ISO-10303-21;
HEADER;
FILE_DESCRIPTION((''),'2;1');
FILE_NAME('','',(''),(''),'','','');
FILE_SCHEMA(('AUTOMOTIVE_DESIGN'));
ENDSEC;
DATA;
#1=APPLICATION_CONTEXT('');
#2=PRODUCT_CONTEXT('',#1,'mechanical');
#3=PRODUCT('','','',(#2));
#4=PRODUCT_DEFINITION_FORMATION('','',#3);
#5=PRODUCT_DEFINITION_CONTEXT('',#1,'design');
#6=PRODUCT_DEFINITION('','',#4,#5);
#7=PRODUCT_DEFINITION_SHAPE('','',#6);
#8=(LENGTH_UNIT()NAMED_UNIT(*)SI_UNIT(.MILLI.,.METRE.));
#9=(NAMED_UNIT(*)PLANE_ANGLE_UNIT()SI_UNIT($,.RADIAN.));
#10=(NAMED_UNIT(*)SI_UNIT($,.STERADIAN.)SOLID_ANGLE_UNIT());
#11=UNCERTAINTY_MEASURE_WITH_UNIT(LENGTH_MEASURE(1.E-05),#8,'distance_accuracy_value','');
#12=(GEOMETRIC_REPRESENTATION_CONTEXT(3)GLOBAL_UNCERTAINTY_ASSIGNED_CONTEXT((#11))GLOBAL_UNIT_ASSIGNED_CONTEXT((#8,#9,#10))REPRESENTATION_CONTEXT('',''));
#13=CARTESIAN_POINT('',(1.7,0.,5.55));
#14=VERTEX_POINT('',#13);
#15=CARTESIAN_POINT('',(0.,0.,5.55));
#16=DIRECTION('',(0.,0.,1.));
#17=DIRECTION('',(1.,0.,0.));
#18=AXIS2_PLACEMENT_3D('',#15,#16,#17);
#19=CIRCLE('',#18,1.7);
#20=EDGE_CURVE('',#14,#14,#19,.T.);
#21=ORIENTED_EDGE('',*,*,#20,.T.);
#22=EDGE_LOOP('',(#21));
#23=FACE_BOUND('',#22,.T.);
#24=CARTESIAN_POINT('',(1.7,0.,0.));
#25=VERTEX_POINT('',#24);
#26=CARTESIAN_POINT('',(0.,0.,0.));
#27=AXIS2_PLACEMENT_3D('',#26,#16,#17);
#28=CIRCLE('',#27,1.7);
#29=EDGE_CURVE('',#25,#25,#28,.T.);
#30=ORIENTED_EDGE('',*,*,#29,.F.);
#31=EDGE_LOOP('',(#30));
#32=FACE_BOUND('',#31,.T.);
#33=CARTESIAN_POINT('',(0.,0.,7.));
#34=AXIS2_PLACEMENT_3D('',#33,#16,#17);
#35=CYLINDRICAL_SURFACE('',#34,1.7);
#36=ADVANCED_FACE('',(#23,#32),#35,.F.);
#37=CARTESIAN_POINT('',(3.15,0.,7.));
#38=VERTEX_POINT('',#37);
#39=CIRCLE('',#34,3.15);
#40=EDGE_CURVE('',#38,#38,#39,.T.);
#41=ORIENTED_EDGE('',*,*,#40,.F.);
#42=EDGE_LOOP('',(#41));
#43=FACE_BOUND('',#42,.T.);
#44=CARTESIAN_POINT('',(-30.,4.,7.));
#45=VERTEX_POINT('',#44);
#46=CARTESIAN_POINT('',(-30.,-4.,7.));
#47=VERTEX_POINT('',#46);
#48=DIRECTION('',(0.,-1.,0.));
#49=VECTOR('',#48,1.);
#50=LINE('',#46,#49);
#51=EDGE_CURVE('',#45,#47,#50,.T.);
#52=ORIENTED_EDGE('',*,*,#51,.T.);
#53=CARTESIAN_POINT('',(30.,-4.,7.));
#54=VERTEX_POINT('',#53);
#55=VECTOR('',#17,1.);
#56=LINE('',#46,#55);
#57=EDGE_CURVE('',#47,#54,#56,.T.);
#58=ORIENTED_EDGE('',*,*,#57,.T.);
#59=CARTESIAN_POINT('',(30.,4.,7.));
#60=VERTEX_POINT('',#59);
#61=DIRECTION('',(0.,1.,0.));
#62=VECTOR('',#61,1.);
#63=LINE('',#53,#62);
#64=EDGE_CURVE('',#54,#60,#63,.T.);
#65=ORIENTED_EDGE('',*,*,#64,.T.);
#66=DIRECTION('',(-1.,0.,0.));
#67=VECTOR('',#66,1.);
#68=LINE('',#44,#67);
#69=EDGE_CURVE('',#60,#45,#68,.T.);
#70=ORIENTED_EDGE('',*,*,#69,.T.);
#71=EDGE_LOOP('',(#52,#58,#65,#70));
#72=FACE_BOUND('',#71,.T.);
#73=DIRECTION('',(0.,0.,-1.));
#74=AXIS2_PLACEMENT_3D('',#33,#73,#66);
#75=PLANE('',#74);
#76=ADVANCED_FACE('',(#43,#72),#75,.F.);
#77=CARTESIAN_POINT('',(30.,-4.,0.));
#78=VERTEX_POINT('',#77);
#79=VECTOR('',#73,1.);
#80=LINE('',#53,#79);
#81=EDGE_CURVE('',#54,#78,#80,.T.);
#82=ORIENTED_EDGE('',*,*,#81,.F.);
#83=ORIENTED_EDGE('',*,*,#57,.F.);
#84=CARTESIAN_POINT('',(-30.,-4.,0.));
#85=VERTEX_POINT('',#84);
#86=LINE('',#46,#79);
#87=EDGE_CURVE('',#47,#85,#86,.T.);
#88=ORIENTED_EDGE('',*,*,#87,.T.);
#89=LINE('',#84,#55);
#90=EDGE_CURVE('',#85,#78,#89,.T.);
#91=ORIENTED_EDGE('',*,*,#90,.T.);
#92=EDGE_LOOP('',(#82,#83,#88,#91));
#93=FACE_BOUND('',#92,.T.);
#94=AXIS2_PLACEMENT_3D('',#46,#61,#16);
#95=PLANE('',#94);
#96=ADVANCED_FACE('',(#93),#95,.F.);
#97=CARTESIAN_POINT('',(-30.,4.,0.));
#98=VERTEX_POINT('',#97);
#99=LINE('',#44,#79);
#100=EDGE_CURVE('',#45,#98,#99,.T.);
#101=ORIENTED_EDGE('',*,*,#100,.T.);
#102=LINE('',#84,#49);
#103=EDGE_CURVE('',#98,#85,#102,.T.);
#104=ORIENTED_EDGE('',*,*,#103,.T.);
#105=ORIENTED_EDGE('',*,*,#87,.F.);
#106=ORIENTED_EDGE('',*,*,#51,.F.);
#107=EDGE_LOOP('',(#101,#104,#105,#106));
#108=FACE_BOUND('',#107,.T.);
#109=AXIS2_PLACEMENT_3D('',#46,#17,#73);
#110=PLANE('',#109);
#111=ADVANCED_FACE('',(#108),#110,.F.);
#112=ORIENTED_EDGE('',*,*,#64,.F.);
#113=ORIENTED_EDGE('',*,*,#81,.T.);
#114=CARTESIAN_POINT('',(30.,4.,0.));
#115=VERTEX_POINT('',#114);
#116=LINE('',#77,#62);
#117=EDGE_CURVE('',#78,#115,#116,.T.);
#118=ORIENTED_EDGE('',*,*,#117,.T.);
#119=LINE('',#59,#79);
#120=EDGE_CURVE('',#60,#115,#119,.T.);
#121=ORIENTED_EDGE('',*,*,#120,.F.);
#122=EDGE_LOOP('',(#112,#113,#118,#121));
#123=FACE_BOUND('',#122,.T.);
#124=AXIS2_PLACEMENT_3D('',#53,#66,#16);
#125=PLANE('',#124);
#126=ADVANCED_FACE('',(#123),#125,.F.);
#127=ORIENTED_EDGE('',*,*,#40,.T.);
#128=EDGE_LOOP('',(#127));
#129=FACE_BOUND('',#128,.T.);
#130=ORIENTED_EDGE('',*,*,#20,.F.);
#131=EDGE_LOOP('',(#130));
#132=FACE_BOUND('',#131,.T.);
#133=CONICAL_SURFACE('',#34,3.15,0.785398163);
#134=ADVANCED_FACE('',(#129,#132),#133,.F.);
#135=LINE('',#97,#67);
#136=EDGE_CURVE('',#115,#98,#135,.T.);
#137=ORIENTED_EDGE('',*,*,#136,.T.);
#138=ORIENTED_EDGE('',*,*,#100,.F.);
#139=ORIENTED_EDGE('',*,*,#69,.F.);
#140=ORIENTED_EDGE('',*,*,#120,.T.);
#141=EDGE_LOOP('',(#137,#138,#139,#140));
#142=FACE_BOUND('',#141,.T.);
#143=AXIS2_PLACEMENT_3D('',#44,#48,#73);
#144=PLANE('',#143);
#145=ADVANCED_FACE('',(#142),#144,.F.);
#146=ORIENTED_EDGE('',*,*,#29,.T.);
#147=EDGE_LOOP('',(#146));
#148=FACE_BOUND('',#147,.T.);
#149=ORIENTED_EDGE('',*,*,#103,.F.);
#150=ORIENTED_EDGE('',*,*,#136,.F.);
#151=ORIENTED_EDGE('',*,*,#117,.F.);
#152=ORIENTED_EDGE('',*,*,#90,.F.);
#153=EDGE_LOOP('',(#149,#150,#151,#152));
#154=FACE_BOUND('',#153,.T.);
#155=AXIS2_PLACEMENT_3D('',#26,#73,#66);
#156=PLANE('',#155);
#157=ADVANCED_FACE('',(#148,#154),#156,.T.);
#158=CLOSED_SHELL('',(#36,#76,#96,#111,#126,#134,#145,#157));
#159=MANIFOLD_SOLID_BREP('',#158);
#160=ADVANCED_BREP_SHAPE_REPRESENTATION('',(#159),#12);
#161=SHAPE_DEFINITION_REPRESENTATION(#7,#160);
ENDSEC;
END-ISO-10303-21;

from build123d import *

# Parameters (mm, degrees)
SKETCH1_W                                           = 60
SKETCH1_H                                           = 8
BOSS_EXTRUDE1_DEPTH                                 = 7
CSK_FOR_M3_COUNTERSUNK_FLAT_HEAD_SCREW1_D           = 3.4
CSK_FOR_M3_COUNTERSUNK_FLAT_HEAD_SCREW1_CSINK_D     = 6.3
CSK_FOR_M3_COUNTERSUNK_FLAT_HEAD_SCREW1_CSINK_ANGLE = 90


with BuildPart() as part:
    # Sketch1 → Boss-Extrude1 (new body)
    with BuildSketch(Plane.XY):
        Rectangle(SKETCH1_W, SKETCH1_H)
    extrude(amount=BOSS_EXTRUDE1_DEPTH)

    # CSK for M3 Countersunk Flat Head Screw1 (through all)
    with Locations(Plane.XY.offset(7)):
        with Locations((0, 0)):
            CounterSinkHole(CSK_FOR_M3_COUNTERSUNK_FLAT_HEAD_SCREW1_D / 2, CSK_FOR_M3_COUNTERSUNK_FLAT_HEAD_SCREW1_CSINK_D / 2, counter_sink_angle=CSK_FOR_M3_COUNTERSUNK_FLAT_HEAD_SCREW1_CSINK_ANGLE)


solid = part.part
